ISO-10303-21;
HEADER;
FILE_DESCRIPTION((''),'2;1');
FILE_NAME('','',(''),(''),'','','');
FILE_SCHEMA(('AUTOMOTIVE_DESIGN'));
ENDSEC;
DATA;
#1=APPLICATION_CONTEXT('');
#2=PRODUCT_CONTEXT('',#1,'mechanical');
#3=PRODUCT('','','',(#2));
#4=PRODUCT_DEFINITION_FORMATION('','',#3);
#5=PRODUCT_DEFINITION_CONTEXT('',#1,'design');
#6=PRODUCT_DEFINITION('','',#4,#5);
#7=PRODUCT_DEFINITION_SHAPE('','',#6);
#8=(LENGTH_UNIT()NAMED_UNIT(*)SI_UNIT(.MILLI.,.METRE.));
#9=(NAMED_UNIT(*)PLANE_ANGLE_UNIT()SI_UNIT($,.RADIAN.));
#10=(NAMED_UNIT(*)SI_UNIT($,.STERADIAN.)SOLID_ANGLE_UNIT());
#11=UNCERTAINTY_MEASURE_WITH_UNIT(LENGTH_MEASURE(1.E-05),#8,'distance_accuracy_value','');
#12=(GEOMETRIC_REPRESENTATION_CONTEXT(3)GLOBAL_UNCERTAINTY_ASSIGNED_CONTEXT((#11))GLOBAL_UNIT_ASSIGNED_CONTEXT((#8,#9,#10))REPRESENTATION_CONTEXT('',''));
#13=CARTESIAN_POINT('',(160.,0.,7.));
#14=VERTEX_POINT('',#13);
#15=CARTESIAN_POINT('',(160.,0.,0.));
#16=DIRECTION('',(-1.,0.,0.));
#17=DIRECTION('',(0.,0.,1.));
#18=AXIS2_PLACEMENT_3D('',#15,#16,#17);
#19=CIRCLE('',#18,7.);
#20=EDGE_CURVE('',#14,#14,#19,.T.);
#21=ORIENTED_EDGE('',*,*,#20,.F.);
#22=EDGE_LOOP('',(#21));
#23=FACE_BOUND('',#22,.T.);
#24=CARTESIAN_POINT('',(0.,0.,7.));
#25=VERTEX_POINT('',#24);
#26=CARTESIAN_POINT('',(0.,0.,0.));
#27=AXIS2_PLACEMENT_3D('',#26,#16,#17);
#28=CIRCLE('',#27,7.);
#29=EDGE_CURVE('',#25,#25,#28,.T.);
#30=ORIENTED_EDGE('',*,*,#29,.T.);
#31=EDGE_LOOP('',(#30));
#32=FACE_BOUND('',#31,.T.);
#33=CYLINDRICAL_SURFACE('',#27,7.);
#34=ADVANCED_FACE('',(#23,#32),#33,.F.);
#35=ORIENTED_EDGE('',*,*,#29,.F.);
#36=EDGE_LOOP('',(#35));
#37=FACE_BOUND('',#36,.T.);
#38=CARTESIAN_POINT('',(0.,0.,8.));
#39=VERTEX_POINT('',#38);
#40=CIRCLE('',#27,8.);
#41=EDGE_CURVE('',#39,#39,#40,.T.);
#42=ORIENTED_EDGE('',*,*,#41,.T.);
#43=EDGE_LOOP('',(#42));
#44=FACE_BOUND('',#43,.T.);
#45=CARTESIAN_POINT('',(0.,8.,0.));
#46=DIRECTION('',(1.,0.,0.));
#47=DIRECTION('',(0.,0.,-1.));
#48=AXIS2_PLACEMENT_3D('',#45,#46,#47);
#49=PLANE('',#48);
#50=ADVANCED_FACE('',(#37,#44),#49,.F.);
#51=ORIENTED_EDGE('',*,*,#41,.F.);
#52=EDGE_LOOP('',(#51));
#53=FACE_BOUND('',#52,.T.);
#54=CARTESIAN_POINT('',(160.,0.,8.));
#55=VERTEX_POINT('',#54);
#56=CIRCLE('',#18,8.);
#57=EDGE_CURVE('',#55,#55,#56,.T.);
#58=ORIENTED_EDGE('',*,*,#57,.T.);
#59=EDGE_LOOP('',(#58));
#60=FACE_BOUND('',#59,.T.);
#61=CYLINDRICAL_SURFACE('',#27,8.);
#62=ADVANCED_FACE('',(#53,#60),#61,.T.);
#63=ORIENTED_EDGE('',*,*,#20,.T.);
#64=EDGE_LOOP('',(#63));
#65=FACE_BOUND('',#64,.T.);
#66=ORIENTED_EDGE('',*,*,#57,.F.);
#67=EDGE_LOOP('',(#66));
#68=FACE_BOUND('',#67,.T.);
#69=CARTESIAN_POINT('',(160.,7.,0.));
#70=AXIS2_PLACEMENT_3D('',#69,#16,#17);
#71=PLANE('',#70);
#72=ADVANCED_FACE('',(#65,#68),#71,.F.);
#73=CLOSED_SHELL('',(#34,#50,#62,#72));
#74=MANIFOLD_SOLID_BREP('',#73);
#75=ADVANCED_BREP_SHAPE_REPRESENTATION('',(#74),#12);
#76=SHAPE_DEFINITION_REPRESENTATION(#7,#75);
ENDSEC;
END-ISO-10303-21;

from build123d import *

# Parameters (mm, degrees)
ESQUISSE1_W = 160
ESQUISSE1_H = 1


with BuildPart() as part:
    # Esquisse1 → Base-Révolution (revolve)
    with BuildSketch(Plane.XY, mode=Mode.PRIVATE) as base_r_volution_sk:
        with Locations((80, 7.5)):
            Rectangle(ESQUISSE1_W, ESQUISSE1_H)
    revolve(base_r_volution_sk.sketch.rotate(Axis((0, 0, 0), (1, 0, 0)), 90), axis=Axis((0, 0, 0), (1, 0, 0)))


solid = part.part
